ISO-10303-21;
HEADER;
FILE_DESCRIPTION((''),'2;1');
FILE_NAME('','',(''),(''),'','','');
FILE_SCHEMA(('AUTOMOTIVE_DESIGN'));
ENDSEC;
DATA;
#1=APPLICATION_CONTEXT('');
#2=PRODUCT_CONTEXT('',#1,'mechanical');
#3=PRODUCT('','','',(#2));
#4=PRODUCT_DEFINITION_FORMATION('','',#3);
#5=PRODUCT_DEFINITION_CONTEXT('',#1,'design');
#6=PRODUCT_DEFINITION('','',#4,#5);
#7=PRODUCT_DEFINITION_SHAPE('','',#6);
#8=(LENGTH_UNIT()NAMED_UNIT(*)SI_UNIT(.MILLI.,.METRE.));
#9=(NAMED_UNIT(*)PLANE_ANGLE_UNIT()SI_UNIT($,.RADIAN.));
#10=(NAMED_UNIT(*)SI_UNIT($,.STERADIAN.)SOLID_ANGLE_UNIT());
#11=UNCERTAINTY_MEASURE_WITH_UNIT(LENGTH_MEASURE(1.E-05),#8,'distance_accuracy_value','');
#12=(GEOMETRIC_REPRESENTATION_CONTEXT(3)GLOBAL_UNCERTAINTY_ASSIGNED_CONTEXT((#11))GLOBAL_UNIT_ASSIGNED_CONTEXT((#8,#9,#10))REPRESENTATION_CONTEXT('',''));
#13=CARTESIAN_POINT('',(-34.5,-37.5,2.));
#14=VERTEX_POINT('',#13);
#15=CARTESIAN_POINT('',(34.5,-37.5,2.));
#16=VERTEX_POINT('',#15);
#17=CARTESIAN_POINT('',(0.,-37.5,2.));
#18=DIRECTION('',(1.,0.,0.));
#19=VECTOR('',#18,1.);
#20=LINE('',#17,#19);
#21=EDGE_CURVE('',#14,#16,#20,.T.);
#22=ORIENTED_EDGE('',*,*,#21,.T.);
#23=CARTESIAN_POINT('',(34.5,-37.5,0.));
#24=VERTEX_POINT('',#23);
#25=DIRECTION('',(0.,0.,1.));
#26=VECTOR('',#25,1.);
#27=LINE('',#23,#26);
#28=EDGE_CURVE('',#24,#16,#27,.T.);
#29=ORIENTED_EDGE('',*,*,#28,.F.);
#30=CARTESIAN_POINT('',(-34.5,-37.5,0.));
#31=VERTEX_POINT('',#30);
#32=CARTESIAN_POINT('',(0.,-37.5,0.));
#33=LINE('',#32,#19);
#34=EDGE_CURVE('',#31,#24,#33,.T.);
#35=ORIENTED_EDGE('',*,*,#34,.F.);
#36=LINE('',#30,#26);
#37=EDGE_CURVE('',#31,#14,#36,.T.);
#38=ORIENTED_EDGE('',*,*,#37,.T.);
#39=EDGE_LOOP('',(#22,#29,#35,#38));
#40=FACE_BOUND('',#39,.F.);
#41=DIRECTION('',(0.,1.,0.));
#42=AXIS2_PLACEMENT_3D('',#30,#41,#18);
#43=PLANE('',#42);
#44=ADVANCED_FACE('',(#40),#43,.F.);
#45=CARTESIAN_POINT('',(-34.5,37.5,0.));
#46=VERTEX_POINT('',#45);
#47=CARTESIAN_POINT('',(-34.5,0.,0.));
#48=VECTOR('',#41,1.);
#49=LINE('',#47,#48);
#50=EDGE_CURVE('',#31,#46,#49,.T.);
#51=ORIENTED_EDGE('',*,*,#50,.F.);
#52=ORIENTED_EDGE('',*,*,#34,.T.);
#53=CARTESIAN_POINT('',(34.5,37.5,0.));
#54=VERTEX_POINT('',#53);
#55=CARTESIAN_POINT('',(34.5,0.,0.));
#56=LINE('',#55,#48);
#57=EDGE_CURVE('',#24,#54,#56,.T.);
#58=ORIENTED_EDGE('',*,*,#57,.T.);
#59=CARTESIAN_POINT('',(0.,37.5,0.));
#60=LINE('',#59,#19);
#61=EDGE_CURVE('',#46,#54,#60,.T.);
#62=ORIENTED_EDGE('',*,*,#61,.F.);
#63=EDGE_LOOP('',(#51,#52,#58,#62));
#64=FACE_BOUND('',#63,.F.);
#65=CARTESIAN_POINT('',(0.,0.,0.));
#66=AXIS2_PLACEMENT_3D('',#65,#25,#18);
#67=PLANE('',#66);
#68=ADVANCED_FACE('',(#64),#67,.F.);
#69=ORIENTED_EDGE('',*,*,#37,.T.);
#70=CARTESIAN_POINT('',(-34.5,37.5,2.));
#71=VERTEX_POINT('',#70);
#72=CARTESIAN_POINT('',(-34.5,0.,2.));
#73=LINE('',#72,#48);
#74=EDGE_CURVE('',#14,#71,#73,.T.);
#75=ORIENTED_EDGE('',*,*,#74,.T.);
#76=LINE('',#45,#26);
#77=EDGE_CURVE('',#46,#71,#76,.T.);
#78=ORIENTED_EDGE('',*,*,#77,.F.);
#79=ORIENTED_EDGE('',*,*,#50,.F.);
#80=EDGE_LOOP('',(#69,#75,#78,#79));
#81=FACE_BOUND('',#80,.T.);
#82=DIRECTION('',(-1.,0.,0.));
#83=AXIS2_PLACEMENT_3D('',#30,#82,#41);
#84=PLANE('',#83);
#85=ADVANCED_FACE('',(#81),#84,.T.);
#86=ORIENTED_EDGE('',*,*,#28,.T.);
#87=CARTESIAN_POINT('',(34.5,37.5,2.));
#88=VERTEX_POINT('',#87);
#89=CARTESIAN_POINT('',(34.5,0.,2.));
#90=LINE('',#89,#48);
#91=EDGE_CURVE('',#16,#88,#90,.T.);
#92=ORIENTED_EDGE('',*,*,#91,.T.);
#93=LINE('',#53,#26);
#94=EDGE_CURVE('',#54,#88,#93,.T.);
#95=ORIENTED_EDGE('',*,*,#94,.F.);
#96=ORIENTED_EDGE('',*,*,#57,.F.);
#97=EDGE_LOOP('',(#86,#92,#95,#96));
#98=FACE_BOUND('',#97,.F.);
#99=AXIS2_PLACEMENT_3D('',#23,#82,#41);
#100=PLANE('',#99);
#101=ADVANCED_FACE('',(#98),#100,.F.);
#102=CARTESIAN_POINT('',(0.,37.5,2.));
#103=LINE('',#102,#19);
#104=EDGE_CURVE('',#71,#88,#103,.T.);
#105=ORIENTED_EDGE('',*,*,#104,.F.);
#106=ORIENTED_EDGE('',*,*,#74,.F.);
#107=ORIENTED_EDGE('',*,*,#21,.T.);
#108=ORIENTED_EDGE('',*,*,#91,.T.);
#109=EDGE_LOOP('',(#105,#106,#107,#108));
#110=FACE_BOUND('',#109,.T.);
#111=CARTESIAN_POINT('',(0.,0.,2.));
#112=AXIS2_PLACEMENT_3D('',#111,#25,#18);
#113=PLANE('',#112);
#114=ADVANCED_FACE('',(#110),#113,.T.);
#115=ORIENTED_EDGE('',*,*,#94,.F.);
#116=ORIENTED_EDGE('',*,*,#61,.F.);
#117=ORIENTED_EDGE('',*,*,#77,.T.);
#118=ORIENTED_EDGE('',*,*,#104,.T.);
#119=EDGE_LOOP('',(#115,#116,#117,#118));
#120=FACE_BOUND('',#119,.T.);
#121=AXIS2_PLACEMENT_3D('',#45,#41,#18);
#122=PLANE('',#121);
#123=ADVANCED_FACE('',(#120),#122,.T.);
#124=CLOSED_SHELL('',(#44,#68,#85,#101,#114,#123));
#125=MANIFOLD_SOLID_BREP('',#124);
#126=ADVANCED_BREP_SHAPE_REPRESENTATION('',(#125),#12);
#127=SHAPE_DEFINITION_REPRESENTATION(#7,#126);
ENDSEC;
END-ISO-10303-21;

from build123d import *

# Parameters (mm, degrees)
SKETCH_W  = 69
SKETCH_H  = 75
PAD_DEPTH = 2


with BuildPart() as part:
    # Sketch → Pad (new body)
    with BuildSketch(Plane.XY):
        Rectangle(SKETCH_W, SKETCH_H)
    extrude(amount=PAD_DEPTH)


solid = part.part
